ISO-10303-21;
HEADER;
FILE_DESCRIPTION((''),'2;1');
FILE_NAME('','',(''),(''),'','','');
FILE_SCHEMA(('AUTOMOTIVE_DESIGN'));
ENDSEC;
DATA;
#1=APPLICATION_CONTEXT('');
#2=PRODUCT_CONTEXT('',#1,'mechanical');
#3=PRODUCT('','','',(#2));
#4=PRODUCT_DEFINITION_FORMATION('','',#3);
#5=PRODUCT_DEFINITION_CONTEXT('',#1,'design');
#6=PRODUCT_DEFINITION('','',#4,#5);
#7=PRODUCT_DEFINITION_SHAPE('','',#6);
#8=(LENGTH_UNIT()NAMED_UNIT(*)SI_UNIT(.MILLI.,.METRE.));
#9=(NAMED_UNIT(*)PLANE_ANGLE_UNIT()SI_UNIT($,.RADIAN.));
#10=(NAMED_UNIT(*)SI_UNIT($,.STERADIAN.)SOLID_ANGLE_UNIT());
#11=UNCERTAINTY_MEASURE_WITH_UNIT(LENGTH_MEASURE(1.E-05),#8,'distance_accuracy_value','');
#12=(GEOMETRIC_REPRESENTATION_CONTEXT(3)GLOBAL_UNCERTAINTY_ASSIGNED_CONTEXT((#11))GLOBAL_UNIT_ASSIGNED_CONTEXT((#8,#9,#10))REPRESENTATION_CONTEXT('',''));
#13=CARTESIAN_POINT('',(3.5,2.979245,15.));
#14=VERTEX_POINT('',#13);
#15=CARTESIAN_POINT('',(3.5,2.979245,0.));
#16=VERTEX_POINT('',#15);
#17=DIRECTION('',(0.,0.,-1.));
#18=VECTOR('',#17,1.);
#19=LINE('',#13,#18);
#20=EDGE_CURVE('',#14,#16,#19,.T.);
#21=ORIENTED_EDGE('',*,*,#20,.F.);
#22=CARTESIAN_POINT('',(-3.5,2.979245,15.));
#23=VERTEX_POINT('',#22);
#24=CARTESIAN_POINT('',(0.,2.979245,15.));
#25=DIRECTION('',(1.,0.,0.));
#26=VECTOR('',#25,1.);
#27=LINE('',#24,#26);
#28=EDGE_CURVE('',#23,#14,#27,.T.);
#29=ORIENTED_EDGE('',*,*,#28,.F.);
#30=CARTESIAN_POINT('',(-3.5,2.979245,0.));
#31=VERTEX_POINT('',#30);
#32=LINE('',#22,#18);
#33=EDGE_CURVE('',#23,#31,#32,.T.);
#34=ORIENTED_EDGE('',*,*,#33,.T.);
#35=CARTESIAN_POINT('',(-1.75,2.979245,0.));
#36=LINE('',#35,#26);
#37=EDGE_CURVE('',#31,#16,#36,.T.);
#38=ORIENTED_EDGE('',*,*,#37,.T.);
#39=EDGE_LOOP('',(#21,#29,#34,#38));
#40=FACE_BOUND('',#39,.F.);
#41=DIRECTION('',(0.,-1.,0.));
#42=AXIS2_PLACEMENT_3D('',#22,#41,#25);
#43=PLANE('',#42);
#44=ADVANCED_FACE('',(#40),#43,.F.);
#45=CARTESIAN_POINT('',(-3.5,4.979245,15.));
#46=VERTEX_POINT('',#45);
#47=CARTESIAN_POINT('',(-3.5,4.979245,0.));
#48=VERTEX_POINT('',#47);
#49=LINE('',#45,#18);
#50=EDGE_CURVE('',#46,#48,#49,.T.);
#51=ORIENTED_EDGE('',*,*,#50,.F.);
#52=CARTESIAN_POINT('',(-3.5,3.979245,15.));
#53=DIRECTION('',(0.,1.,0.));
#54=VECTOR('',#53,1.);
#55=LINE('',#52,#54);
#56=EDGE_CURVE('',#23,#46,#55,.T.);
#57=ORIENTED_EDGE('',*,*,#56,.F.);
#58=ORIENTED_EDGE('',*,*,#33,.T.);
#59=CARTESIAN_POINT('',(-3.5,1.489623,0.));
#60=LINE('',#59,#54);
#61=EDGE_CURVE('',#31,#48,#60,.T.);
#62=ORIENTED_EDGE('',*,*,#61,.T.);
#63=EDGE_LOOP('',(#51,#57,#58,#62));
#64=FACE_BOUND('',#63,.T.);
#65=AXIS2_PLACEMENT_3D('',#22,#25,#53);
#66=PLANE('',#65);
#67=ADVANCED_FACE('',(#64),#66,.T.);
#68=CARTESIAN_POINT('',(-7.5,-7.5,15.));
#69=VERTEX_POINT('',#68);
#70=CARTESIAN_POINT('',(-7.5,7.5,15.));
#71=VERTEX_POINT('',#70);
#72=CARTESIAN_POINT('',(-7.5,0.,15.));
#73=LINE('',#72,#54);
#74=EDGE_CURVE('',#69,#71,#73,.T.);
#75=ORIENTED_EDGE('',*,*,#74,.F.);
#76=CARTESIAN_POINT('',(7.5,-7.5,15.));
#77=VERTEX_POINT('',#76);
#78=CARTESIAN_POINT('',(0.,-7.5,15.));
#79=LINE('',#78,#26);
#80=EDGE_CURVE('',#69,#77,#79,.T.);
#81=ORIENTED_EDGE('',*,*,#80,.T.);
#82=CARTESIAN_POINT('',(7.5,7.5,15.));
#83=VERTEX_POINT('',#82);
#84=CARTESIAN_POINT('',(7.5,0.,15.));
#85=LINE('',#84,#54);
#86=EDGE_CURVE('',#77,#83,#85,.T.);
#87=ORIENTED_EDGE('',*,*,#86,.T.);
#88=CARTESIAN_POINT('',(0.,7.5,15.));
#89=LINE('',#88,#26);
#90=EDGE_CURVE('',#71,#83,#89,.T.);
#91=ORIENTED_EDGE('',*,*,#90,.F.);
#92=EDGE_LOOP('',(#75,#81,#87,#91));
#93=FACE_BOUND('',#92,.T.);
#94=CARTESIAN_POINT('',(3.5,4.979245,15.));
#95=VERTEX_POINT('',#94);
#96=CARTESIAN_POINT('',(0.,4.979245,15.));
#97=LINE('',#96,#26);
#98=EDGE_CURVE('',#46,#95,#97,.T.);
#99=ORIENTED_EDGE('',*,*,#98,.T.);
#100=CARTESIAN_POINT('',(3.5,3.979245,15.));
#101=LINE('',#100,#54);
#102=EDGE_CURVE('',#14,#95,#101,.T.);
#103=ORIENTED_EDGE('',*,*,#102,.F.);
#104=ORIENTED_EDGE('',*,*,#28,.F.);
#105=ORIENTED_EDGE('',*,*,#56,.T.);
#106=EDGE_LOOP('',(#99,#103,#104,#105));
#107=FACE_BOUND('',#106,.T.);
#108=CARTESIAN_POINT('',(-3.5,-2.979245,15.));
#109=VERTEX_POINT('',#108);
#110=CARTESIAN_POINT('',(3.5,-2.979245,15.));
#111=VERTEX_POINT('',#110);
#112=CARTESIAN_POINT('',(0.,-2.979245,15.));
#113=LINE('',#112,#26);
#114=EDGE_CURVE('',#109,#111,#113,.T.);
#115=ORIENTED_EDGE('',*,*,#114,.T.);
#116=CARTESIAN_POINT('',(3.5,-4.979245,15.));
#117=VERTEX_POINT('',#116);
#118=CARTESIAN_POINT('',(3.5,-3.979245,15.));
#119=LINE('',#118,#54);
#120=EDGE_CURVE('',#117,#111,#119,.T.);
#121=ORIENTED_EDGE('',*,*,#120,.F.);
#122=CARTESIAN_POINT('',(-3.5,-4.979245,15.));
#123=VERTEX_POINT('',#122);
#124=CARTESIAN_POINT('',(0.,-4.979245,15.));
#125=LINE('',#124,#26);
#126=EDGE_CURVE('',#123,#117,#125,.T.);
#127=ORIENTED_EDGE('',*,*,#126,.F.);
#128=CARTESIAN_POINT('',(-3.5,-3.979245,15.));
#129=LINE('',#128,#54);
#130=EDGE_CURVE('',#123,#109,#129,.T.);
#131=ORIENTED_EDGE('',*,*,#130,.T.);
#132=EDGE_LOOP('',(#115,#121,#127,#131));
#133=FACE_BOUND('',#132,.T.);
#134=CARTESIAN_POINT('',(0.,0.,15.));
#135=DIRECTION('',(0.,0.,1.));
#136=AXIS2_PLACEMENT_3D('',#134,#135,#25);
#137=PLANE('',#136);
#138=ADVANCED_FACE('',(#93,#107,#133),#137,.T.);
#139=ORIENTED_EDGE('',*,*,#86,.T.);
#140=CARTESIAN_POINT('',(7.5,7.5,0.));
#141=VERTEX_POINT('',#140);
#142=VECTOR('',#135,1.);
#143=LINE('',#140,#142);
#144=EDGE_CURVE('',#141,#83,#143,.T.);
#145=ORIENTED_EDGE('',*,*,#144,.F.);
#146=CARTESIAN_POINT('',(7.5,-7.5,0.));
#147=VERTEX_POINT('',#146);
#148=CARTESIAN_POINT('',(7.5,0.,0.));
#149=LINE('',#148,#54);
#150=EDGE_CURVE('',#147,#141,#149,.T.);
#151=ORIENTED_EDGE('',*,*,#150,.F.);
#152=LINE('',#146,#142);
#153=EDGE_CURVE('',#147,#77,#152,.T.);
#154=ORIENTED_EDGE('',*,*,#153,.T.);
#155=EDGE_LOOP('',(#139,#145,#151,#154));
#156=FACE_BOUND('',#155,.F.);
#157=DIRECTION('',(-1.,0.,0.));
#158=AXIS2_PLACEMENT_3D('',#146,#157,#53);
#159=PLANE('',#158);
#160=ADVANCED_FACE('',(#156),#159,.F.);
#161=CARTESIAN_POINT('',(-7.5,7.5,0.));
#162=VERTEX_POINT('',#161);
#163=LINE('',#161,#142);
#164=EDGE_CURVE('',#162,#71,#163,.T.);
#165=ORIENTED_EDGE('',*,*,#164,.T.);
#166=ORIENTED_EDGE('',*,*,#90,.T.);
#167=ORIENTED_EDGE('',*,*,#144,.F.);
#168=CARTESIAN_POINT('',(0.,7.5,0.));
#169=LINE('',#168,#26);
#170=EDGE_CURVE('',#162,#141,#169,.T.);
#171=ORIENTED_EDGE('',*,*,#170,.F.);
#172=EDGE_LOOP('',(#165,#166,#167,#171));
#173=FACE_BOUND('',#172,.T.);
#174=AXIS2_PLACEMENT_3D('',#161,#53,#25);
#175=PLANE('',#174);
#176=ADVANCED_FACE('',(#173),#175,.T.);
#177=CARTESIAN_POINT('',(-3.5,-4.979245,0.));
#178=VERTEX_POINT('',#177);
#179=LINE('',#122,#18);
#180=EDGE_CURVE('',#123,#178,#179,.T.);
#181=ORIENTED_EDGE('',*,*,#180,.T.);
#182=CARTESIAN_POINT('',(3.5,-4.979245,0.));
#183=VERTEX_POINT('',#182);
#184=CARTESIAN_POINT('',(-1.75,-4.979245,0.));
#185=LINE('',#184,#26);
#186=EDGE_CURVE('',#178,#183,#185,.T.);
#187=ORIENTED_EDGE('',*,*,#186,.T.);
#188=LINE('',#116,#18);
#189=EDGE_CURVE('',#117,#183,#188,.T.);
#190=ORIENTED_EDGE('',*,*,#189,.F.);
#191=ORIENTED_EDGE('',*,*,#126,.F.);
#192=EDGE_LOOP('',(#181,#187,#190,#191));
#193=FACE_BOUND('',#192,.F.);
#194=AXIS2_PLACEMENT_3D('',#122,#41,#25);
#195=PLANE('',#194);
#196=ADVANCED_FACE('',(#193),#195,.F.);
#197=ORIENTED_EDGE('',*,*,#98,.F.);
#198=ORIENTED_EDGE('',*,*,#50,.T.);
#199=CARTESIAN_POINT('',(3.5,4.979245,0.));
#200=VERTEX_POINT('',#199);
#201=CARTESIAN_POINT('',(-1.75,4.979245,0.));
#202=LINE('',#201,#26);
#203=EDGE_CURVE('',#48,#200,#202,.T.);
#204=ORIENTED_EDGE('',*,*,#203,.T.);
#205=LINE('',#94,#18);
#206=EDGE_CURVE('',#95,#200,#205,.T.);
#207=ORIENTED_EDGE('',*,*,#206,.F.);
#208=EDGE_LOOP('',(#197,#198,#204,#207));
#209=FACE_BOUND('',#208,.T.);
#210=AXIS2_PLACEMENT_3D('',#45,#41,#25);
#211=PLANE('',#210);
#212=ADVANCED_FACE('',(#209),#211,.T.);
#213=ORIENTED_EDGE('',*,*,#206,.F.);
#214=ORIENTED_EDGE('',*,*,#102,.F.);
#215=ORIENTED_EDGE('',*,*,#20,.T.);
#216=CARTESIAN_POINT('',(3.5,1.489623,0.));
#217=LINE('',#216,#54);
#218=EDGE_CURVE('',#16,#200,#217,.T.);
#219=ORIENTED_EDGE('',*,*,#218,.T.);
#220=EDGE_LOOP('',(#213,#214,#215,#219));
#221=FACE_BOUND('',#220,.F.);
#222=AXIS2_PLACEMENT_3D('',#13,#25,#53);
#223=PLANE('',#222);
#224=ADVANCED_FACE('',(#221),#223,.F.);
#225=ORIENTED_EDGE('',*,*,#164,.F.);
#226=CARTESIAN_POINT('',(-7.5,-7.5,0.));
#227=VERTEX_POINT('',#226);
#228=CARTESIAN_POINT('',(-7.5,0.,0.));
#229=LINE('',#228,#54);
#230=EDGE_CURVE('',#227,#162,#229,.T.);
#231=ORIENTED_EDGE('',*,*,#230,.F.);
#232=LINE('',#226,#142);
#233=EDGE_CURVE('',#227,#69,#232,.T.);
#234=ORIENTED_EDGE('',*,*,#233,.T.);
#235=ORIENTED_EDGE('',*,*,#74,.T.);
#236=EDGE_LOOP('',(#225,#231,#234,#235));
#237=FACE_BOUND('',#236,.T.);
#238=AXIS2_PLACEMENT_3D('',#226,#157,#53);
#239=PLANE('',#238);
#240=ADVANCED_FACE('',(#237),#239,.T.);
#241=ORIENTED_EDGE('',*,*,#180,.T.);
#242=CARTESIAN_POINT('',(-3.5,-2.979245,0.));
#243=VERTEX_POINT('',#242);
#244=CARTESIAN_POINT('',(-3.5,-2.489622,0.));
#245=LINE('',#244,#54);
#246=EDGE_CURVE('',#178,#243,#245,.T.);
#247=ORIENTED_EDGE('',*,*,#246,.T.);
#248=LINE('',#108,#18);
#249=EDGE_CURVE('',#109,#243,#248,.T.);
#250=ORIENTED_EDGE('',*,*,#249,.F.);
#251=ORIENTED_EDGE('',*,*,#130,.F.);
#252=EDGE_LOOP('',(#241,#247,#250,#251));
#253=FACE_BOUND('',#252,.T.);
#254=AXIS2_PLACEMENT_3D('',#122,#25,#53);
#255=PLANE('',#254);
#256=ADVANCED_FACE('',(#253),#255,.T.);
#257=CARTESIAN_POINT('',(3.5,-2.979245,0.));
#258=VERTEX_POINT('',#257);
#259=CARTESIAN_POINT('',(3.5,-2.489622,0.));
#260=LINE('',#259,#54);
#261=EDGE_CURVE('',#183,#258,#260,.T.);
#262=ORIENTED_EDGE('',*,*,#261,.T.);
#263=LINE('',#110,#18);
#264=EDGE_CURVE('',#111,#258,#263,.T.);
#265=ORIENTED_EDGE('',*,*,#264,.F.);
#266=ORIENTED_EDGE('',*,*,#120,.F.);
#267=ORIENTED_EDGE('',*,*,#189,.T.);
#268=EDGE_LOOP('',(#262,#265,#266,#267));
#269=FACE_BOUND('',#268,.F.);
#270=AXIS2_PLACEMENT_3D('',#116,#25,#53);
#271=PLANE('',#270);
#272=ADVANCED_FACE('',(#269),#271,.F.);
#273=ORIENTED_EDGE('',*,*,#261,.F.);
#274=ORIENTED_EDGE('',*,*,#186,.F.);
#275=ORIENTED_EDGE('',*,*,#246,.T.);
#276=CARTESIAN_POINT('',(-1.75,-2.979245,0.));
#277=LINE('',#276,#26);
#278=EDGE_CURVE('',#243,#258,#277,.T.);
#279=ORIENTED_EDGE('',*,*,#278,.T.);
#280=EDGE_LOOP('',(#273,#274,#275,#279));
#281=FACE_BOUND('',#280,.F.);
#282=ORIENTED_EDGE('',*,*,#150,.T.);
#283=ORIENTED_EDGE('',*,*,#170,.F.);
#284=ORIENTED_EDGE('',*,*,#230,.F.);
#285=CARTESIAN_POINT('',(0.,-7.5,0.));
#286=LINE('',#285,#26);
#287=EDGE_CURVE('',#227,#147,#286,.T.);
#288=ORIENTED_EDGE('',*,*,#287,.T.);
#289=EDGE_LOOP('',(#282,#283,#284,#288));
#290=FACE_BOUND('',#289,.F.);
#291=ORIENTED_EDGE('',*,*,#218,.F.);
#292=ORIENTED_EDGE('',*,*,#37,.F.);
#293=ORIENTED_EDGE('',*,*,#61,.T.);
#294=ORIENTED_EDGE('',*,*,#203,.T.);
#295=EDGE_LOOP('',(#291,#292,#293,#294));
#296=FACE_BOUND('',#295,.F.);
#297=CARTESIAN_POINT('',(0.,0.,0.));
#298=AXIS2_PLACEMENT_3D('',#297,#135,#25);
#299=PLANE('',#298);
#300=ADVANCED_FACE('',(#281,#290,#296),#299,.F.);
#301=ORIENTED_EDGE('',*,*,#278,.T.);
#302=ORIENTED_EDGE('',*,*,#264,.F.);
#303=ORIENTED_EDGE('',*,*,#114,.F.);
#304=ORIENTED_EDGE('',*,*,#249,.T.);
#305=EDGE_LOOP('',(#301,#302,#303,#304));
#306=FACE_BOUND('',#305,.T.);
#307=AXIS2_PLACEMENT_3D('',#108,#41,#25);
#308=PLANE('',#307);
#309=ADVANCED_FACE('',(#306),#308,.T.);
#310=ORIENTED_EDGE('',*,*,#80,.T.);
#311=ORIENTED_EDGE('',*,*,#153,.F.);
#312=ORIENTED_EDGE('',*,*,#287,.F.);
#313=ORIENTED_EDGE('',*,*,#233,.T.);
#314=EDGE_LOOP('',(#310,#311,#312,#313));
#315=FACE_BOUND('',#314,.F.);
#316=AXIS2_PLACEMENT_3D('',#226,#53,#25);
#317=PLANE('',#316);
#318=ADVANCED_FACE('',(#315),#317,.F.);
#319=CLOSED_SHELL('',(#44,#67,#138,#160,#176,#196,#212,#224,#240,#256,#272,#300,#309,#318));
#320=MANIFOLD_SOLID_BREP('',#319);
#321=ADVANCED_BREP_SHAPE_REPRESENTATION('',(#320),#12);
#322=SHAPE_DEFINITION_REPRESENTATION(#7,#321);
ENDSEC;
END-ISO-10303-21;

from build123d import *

# Parameters (mm, degrees)
F0_W     = 15
F0_H     = 15
F1_DEPTH = 15
F2_W     = 7
F2_H     = 2
F3_DEPTH = 25


with BuildPart() as f1:
    # F0 (on Top) → F1 (new body)
    with BuildSketch(Plane.XY):
        Rectangle(F0_W, F0_H)
    extrude(amount=F1_DEPTH)

    # F2 (on face) → F3 (cut)
    with BuildSketch(Plane.XY.offset(15)):
        with Locations((0, 3.979245)):
            Rectangle(F2_W, F2_H)
        with Locations((0, -3.979245)):
            Rectangle(F2_W, F2_H)
    extrude(amount=-F3_DEPTH, mode=Mode.SUBTRACT)


solid = f1.part
